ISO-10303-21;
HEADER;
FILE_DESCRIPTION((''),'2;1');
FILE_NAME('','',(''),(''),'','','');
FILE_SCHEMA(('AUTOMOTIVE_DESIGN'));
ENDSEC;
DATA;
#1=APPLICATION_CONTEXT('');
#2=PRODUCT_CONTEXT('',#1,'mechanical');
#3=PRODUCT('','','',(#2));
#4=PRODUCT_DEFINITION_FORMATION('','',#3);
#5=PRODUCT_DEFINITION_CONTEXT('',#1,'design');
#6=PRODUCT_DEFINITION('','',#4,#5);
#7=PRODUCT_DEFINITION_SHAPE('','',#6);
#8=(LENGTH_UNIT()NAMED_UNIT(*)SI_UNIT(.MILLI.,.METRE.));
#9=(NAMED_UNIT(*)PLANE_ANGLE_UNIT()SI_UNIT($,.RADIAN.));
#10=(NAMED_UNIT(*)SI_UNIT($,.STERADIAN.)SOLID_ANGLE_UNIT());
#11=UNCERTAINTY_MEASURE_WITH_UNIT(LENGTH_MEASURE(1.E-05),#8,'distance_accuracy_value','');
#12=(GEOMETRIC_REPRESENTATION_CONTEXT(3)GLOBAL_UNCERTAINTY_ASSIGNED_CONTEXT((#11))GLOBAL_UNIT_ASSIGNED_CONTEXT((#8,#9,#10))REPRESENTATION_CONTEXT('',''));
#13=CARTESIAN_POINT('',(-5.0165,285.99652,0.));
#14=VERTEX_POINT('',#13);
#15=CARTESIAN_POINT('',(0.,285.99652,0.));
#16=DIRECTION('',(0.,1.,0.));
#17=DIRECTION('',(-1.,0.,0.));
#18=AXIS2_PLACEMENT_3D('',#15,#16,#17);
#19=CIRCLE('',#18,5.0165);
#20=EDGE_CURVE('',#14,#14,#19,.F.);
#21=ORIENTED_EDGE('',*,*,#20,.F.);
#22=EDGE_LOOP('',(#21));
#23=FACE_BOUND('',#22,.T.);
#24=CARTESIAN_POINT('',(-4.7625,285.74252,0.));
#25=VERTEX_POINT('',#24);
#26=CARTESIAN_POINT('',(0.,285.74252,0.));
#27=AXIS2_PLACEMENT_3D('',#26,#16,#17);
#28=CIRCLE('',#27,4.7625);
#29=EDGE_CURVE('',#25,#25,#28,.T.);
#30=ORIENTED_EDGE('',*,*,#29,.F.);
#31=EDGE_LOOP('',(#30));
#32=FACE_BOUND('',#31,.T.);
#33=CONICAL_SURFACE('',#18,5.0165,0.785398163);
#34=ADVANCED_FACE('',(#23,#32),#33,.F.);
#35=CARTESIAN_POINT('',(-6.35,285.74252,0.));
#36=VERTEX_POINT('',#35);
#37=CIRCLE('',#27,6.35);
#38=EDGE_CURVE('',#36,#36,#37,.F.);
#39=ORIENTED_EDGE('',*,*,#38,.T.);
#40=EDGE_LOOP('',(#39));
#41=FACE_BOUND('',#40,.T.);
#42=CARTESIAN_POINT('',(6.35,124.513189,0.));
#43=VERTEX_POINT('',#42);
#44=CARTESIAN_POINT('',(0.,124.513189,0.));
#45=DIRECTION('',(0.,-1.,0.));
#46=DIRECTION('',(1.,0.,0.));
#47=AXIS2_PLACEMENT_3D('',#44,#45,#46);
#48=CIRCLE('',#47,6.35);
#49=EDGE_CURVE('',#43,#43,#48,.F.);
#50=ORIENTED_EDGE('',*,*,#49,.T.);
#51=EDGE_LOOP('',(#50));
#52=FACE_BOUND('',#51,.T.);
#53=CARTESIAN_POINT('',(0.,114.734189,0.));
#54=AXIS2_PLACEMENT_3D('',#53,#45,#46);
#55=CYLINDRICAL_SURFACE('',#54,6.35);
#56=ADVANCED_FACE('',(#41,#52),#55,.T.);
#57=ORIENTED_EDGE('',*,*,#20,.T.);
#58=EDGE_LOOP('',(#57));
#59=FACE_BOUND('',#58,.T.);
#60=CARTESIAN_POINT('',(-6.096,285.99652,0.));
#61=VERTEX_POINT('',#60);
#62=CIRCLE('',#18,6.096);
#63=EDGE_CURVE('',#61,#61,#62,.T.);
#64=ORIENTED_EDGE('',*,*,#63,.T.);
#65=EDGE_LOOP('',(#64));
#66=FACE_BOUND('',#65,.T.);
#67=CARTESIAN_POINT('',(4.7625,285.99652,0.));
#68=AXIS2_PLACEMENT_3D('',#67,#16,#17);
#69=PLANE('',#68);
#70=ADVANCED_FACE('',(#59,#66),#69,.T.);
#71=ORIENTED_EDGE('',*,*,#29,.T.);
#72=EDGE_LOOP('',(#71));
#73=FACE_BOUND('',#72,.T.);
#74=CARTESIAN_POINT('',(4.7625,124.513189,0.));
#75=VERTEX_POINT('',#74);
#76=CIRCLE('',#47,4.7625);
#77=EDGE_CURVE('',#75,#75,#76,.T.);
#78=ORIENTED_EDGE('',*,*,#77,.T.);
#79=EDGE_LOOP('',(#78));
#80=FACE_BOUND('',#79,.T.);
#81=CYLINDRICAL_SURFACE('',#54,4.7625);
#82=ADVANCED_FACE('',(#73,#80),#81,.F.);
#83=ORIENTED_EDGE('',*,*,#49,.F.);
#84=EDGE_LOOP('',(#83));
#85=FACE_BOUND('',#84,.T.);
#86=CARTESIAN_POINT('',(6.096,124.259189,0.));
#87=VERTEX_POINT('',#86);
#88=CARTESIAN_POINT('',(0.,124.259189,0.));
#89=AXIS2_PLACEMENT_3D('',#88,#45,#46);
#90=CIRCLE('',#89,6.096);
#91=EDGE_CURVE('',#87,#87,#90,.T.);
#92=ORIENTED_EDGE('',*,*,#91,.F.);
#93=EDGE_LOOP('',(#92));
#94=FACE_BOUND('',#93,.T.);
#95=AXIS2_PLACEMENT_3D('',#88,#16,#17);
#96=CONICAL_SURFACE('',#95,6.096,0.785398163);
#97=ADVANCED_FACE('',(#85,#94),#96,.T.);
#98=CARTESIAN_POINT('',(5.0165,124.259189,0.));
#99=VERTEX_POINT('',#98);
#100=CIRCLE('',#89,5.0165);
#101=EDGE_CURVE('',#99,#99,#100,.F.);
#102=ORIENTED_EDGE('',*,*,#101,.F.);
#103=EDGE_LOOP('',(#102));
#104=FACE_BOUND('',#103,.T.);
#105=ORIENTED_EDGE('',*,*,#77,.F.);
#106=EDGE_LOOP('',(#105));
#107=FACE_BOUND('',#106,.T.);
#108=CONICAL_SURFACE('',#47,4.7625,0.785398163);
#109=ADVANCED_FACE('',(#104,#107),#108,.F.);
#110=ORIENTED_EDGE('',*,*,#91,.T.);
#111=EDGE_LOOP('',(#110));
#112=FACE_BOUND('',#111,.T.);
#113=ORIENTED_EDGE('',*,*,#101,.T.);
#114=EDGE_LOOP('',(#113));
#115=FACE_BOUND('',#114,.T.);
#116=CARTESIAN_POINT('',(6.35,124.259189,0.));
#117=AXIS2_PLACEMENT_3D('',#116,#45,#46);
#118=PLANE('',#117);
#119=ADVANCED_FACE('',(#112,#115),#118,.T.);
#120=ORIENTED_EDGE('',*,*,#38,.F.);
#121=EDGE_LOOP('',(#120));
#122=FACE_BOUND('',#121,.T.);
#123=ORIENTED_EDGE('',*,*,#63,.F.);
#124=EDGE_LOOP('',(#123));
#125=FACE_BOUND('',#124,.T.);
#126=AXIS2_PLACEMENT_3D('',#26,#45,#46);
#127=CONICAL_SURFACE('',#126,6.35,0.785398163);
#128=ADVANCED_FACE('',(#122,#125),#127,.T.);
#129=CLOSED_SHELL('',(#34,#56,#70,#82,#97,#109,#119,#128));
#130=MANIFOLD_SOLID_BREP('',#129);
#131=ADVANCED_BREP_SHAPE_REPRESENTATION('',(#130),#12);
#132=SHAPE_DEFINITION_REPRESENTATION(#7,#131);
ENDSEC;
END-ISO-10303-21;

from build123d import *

# Parameters (mm, degrees)
SKETCH1_W     = 1.5875
SKETCH1_H     = 161.737331671
CHAMFER1_SIZE = 0.254


with BuildPart() as part:
    # Sketch1 → Revolve1 (revolve)
    with BuildSketch(Plane.XY):
        with Locations((5.55625, 205.12785438)):
            Rectangle(SKETCH1_W, SKETCH1_H)
    revolve(axis=Axis((0, 114.734188544, 0), (0, 1, 0)))

    # Chamfer1
    chamfer1_edges = [part.edges().sort_by_distance(p)[0] for p in [
        (-6.35, 124.259188544, 0),
        (-6.349999999, 285.996520215, 0),
        (-4.762499999, 285.996520215, 0),
        (-4.7625, 124.259188544, 0),
    ]]
    chamfer(chamfer1_edges, length=CHAMFER1_SIZE)


solid = part.part
